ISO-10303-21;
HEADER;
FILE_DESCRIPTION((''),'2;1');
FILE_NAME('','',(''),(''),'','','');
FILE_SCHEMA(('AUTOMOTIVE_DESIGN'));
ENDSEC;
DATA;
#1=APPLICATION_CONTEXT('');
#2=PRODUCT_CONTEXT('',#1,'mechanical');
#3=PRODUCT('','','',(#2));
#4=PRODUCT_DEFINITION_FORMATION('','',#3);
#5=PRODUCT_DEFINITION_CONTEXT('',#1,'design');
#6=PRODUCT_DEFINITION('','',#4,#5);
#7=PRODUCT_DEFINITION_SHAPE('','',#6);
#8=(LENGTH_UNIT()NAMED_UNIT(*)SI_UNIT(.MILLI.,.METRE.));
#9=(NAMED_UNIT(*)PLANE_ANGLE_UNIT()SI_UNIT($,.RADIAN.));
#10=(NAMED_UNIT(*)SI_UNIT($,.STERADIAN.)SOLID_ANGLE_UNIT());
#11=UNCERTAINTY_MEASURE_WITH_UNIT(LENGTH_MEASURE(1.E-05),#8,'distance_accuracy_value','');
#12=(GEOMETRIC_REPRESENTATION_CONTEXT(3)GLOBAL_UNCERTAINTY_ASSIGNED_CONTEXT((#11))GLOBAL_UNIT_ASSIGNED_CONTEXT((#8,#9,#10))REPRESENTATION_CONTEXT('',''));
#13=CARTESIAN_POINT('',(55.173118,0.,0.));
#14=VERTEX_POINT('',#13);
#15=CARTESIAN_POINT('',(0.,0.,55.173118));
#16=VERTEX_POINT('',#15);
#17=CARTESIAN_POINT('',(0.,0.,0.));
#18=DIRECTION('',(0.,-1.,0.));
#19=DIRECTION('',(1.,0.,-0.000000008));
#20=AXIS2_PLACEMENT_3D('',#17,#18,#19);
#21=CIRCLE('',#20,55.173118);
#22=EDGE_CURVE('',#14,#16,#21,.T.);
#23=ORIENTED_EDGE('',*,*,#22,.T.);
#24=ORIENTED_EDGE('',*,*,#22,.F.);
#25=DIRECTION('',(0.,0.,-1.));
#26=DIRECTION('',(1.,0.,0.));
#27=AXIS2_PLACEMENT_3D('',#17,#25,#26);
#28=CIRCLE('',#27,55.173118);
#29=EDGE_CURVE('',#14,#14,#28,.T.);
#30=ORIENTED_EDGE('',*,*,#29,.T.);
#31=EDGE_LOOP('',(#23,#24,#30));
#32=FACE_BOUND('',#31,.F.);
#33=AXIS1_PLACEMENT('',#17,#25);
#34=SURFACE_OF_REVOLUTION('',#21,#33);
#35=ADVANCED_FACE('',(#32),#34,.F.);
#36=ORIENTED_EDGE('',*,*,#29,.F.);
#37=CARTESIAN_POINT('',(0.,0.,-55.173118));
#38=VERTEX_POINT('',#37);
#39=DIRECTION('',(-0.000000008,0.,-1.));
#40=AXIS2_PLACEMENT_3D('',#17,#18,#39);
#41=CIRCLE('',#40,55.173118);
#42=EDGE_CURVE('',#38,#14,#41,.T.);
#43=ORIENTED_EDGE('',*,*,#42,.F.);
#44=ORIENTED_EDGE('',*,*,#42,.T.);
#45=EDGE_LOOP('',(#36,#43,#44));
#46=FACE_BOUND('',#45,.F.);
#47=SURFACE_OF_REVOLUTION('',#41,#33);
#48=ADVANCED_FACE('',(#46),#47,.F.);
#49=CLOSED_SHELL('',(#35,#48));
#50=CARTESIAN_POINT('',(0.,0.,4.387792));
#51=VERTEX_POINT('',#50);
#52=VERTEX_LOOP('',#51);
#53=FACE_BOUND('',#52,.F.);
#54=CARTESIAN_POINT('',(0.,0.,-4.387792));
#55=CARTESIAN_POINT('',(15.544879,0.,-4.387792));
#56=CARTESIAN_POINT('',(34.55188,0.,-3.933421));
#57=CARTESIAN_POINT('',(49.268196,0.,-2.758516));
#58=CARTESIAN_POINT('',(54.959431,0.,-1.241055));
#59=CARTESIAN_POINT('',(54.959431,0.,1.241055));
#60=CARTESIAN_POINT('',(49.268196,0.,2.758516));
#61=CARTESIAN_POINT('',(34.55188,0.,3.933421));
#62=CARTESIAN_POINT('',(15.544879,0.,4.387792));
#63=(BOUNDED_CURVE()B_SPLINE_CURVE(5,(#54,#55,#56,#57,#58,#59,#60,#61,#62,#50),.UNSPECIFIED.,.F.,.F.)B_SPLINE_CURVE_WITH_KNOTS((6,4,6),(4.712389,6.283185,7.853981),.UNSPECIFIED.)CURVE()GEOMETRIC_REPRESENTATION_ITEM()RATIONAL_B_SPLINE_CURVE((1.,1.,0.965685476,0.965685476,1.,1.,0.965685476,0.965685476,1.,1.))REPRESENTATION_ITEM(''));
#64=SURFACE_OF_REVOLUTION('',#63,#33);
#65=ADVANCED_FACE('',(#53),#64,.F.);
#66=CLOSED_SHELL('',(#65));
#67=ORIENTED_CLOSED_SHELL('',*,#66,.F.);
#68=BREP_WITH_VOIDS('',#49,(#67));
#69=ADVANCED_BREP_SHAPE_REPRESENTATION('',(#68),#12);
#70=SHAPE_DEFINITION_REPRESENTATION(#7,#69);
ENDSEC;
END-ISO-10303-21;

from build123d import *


with BuildPart() as f1:
    # F0 (on Front) → F1 (revolve)
    with BuildSketch(Plane.XZ):
        with BuildLine():
            ThreePointArc((0, -55.173118), (39.013286, -39.013286), (55.173118, 0))
            ThreePointArc((55.173118, 0), (39.013286, 39.013286), (0, 55.173118))
            Line((0, 55.173118), (0, 4.387792))
            add(Edge.make_bspline(
                [(54.959431, 0), (54.959431, 4.387792), (0, 4.387792)],
                knots=[0, 0, 0, 1.570796, 1.570796, 1.570796], degree=2, weights=[1, 0.707107, 1]))
            add(Edge.make_bspline(
                [(0, -4.387792), (54.959431, -4.387792), (54.959431, 0)],
                knots=[4.712389, 4.712389, 4.712389, 6.283185, 6.283185, 6.283185], degree=2, weights=[1, 0.707107, 1]))
            Line((0, -4.387792), (0, -55.173118))
        make_face()
    revolve(axis=Axis((0, 0, 0), (0, 0, -1)))


solid = f1.part
